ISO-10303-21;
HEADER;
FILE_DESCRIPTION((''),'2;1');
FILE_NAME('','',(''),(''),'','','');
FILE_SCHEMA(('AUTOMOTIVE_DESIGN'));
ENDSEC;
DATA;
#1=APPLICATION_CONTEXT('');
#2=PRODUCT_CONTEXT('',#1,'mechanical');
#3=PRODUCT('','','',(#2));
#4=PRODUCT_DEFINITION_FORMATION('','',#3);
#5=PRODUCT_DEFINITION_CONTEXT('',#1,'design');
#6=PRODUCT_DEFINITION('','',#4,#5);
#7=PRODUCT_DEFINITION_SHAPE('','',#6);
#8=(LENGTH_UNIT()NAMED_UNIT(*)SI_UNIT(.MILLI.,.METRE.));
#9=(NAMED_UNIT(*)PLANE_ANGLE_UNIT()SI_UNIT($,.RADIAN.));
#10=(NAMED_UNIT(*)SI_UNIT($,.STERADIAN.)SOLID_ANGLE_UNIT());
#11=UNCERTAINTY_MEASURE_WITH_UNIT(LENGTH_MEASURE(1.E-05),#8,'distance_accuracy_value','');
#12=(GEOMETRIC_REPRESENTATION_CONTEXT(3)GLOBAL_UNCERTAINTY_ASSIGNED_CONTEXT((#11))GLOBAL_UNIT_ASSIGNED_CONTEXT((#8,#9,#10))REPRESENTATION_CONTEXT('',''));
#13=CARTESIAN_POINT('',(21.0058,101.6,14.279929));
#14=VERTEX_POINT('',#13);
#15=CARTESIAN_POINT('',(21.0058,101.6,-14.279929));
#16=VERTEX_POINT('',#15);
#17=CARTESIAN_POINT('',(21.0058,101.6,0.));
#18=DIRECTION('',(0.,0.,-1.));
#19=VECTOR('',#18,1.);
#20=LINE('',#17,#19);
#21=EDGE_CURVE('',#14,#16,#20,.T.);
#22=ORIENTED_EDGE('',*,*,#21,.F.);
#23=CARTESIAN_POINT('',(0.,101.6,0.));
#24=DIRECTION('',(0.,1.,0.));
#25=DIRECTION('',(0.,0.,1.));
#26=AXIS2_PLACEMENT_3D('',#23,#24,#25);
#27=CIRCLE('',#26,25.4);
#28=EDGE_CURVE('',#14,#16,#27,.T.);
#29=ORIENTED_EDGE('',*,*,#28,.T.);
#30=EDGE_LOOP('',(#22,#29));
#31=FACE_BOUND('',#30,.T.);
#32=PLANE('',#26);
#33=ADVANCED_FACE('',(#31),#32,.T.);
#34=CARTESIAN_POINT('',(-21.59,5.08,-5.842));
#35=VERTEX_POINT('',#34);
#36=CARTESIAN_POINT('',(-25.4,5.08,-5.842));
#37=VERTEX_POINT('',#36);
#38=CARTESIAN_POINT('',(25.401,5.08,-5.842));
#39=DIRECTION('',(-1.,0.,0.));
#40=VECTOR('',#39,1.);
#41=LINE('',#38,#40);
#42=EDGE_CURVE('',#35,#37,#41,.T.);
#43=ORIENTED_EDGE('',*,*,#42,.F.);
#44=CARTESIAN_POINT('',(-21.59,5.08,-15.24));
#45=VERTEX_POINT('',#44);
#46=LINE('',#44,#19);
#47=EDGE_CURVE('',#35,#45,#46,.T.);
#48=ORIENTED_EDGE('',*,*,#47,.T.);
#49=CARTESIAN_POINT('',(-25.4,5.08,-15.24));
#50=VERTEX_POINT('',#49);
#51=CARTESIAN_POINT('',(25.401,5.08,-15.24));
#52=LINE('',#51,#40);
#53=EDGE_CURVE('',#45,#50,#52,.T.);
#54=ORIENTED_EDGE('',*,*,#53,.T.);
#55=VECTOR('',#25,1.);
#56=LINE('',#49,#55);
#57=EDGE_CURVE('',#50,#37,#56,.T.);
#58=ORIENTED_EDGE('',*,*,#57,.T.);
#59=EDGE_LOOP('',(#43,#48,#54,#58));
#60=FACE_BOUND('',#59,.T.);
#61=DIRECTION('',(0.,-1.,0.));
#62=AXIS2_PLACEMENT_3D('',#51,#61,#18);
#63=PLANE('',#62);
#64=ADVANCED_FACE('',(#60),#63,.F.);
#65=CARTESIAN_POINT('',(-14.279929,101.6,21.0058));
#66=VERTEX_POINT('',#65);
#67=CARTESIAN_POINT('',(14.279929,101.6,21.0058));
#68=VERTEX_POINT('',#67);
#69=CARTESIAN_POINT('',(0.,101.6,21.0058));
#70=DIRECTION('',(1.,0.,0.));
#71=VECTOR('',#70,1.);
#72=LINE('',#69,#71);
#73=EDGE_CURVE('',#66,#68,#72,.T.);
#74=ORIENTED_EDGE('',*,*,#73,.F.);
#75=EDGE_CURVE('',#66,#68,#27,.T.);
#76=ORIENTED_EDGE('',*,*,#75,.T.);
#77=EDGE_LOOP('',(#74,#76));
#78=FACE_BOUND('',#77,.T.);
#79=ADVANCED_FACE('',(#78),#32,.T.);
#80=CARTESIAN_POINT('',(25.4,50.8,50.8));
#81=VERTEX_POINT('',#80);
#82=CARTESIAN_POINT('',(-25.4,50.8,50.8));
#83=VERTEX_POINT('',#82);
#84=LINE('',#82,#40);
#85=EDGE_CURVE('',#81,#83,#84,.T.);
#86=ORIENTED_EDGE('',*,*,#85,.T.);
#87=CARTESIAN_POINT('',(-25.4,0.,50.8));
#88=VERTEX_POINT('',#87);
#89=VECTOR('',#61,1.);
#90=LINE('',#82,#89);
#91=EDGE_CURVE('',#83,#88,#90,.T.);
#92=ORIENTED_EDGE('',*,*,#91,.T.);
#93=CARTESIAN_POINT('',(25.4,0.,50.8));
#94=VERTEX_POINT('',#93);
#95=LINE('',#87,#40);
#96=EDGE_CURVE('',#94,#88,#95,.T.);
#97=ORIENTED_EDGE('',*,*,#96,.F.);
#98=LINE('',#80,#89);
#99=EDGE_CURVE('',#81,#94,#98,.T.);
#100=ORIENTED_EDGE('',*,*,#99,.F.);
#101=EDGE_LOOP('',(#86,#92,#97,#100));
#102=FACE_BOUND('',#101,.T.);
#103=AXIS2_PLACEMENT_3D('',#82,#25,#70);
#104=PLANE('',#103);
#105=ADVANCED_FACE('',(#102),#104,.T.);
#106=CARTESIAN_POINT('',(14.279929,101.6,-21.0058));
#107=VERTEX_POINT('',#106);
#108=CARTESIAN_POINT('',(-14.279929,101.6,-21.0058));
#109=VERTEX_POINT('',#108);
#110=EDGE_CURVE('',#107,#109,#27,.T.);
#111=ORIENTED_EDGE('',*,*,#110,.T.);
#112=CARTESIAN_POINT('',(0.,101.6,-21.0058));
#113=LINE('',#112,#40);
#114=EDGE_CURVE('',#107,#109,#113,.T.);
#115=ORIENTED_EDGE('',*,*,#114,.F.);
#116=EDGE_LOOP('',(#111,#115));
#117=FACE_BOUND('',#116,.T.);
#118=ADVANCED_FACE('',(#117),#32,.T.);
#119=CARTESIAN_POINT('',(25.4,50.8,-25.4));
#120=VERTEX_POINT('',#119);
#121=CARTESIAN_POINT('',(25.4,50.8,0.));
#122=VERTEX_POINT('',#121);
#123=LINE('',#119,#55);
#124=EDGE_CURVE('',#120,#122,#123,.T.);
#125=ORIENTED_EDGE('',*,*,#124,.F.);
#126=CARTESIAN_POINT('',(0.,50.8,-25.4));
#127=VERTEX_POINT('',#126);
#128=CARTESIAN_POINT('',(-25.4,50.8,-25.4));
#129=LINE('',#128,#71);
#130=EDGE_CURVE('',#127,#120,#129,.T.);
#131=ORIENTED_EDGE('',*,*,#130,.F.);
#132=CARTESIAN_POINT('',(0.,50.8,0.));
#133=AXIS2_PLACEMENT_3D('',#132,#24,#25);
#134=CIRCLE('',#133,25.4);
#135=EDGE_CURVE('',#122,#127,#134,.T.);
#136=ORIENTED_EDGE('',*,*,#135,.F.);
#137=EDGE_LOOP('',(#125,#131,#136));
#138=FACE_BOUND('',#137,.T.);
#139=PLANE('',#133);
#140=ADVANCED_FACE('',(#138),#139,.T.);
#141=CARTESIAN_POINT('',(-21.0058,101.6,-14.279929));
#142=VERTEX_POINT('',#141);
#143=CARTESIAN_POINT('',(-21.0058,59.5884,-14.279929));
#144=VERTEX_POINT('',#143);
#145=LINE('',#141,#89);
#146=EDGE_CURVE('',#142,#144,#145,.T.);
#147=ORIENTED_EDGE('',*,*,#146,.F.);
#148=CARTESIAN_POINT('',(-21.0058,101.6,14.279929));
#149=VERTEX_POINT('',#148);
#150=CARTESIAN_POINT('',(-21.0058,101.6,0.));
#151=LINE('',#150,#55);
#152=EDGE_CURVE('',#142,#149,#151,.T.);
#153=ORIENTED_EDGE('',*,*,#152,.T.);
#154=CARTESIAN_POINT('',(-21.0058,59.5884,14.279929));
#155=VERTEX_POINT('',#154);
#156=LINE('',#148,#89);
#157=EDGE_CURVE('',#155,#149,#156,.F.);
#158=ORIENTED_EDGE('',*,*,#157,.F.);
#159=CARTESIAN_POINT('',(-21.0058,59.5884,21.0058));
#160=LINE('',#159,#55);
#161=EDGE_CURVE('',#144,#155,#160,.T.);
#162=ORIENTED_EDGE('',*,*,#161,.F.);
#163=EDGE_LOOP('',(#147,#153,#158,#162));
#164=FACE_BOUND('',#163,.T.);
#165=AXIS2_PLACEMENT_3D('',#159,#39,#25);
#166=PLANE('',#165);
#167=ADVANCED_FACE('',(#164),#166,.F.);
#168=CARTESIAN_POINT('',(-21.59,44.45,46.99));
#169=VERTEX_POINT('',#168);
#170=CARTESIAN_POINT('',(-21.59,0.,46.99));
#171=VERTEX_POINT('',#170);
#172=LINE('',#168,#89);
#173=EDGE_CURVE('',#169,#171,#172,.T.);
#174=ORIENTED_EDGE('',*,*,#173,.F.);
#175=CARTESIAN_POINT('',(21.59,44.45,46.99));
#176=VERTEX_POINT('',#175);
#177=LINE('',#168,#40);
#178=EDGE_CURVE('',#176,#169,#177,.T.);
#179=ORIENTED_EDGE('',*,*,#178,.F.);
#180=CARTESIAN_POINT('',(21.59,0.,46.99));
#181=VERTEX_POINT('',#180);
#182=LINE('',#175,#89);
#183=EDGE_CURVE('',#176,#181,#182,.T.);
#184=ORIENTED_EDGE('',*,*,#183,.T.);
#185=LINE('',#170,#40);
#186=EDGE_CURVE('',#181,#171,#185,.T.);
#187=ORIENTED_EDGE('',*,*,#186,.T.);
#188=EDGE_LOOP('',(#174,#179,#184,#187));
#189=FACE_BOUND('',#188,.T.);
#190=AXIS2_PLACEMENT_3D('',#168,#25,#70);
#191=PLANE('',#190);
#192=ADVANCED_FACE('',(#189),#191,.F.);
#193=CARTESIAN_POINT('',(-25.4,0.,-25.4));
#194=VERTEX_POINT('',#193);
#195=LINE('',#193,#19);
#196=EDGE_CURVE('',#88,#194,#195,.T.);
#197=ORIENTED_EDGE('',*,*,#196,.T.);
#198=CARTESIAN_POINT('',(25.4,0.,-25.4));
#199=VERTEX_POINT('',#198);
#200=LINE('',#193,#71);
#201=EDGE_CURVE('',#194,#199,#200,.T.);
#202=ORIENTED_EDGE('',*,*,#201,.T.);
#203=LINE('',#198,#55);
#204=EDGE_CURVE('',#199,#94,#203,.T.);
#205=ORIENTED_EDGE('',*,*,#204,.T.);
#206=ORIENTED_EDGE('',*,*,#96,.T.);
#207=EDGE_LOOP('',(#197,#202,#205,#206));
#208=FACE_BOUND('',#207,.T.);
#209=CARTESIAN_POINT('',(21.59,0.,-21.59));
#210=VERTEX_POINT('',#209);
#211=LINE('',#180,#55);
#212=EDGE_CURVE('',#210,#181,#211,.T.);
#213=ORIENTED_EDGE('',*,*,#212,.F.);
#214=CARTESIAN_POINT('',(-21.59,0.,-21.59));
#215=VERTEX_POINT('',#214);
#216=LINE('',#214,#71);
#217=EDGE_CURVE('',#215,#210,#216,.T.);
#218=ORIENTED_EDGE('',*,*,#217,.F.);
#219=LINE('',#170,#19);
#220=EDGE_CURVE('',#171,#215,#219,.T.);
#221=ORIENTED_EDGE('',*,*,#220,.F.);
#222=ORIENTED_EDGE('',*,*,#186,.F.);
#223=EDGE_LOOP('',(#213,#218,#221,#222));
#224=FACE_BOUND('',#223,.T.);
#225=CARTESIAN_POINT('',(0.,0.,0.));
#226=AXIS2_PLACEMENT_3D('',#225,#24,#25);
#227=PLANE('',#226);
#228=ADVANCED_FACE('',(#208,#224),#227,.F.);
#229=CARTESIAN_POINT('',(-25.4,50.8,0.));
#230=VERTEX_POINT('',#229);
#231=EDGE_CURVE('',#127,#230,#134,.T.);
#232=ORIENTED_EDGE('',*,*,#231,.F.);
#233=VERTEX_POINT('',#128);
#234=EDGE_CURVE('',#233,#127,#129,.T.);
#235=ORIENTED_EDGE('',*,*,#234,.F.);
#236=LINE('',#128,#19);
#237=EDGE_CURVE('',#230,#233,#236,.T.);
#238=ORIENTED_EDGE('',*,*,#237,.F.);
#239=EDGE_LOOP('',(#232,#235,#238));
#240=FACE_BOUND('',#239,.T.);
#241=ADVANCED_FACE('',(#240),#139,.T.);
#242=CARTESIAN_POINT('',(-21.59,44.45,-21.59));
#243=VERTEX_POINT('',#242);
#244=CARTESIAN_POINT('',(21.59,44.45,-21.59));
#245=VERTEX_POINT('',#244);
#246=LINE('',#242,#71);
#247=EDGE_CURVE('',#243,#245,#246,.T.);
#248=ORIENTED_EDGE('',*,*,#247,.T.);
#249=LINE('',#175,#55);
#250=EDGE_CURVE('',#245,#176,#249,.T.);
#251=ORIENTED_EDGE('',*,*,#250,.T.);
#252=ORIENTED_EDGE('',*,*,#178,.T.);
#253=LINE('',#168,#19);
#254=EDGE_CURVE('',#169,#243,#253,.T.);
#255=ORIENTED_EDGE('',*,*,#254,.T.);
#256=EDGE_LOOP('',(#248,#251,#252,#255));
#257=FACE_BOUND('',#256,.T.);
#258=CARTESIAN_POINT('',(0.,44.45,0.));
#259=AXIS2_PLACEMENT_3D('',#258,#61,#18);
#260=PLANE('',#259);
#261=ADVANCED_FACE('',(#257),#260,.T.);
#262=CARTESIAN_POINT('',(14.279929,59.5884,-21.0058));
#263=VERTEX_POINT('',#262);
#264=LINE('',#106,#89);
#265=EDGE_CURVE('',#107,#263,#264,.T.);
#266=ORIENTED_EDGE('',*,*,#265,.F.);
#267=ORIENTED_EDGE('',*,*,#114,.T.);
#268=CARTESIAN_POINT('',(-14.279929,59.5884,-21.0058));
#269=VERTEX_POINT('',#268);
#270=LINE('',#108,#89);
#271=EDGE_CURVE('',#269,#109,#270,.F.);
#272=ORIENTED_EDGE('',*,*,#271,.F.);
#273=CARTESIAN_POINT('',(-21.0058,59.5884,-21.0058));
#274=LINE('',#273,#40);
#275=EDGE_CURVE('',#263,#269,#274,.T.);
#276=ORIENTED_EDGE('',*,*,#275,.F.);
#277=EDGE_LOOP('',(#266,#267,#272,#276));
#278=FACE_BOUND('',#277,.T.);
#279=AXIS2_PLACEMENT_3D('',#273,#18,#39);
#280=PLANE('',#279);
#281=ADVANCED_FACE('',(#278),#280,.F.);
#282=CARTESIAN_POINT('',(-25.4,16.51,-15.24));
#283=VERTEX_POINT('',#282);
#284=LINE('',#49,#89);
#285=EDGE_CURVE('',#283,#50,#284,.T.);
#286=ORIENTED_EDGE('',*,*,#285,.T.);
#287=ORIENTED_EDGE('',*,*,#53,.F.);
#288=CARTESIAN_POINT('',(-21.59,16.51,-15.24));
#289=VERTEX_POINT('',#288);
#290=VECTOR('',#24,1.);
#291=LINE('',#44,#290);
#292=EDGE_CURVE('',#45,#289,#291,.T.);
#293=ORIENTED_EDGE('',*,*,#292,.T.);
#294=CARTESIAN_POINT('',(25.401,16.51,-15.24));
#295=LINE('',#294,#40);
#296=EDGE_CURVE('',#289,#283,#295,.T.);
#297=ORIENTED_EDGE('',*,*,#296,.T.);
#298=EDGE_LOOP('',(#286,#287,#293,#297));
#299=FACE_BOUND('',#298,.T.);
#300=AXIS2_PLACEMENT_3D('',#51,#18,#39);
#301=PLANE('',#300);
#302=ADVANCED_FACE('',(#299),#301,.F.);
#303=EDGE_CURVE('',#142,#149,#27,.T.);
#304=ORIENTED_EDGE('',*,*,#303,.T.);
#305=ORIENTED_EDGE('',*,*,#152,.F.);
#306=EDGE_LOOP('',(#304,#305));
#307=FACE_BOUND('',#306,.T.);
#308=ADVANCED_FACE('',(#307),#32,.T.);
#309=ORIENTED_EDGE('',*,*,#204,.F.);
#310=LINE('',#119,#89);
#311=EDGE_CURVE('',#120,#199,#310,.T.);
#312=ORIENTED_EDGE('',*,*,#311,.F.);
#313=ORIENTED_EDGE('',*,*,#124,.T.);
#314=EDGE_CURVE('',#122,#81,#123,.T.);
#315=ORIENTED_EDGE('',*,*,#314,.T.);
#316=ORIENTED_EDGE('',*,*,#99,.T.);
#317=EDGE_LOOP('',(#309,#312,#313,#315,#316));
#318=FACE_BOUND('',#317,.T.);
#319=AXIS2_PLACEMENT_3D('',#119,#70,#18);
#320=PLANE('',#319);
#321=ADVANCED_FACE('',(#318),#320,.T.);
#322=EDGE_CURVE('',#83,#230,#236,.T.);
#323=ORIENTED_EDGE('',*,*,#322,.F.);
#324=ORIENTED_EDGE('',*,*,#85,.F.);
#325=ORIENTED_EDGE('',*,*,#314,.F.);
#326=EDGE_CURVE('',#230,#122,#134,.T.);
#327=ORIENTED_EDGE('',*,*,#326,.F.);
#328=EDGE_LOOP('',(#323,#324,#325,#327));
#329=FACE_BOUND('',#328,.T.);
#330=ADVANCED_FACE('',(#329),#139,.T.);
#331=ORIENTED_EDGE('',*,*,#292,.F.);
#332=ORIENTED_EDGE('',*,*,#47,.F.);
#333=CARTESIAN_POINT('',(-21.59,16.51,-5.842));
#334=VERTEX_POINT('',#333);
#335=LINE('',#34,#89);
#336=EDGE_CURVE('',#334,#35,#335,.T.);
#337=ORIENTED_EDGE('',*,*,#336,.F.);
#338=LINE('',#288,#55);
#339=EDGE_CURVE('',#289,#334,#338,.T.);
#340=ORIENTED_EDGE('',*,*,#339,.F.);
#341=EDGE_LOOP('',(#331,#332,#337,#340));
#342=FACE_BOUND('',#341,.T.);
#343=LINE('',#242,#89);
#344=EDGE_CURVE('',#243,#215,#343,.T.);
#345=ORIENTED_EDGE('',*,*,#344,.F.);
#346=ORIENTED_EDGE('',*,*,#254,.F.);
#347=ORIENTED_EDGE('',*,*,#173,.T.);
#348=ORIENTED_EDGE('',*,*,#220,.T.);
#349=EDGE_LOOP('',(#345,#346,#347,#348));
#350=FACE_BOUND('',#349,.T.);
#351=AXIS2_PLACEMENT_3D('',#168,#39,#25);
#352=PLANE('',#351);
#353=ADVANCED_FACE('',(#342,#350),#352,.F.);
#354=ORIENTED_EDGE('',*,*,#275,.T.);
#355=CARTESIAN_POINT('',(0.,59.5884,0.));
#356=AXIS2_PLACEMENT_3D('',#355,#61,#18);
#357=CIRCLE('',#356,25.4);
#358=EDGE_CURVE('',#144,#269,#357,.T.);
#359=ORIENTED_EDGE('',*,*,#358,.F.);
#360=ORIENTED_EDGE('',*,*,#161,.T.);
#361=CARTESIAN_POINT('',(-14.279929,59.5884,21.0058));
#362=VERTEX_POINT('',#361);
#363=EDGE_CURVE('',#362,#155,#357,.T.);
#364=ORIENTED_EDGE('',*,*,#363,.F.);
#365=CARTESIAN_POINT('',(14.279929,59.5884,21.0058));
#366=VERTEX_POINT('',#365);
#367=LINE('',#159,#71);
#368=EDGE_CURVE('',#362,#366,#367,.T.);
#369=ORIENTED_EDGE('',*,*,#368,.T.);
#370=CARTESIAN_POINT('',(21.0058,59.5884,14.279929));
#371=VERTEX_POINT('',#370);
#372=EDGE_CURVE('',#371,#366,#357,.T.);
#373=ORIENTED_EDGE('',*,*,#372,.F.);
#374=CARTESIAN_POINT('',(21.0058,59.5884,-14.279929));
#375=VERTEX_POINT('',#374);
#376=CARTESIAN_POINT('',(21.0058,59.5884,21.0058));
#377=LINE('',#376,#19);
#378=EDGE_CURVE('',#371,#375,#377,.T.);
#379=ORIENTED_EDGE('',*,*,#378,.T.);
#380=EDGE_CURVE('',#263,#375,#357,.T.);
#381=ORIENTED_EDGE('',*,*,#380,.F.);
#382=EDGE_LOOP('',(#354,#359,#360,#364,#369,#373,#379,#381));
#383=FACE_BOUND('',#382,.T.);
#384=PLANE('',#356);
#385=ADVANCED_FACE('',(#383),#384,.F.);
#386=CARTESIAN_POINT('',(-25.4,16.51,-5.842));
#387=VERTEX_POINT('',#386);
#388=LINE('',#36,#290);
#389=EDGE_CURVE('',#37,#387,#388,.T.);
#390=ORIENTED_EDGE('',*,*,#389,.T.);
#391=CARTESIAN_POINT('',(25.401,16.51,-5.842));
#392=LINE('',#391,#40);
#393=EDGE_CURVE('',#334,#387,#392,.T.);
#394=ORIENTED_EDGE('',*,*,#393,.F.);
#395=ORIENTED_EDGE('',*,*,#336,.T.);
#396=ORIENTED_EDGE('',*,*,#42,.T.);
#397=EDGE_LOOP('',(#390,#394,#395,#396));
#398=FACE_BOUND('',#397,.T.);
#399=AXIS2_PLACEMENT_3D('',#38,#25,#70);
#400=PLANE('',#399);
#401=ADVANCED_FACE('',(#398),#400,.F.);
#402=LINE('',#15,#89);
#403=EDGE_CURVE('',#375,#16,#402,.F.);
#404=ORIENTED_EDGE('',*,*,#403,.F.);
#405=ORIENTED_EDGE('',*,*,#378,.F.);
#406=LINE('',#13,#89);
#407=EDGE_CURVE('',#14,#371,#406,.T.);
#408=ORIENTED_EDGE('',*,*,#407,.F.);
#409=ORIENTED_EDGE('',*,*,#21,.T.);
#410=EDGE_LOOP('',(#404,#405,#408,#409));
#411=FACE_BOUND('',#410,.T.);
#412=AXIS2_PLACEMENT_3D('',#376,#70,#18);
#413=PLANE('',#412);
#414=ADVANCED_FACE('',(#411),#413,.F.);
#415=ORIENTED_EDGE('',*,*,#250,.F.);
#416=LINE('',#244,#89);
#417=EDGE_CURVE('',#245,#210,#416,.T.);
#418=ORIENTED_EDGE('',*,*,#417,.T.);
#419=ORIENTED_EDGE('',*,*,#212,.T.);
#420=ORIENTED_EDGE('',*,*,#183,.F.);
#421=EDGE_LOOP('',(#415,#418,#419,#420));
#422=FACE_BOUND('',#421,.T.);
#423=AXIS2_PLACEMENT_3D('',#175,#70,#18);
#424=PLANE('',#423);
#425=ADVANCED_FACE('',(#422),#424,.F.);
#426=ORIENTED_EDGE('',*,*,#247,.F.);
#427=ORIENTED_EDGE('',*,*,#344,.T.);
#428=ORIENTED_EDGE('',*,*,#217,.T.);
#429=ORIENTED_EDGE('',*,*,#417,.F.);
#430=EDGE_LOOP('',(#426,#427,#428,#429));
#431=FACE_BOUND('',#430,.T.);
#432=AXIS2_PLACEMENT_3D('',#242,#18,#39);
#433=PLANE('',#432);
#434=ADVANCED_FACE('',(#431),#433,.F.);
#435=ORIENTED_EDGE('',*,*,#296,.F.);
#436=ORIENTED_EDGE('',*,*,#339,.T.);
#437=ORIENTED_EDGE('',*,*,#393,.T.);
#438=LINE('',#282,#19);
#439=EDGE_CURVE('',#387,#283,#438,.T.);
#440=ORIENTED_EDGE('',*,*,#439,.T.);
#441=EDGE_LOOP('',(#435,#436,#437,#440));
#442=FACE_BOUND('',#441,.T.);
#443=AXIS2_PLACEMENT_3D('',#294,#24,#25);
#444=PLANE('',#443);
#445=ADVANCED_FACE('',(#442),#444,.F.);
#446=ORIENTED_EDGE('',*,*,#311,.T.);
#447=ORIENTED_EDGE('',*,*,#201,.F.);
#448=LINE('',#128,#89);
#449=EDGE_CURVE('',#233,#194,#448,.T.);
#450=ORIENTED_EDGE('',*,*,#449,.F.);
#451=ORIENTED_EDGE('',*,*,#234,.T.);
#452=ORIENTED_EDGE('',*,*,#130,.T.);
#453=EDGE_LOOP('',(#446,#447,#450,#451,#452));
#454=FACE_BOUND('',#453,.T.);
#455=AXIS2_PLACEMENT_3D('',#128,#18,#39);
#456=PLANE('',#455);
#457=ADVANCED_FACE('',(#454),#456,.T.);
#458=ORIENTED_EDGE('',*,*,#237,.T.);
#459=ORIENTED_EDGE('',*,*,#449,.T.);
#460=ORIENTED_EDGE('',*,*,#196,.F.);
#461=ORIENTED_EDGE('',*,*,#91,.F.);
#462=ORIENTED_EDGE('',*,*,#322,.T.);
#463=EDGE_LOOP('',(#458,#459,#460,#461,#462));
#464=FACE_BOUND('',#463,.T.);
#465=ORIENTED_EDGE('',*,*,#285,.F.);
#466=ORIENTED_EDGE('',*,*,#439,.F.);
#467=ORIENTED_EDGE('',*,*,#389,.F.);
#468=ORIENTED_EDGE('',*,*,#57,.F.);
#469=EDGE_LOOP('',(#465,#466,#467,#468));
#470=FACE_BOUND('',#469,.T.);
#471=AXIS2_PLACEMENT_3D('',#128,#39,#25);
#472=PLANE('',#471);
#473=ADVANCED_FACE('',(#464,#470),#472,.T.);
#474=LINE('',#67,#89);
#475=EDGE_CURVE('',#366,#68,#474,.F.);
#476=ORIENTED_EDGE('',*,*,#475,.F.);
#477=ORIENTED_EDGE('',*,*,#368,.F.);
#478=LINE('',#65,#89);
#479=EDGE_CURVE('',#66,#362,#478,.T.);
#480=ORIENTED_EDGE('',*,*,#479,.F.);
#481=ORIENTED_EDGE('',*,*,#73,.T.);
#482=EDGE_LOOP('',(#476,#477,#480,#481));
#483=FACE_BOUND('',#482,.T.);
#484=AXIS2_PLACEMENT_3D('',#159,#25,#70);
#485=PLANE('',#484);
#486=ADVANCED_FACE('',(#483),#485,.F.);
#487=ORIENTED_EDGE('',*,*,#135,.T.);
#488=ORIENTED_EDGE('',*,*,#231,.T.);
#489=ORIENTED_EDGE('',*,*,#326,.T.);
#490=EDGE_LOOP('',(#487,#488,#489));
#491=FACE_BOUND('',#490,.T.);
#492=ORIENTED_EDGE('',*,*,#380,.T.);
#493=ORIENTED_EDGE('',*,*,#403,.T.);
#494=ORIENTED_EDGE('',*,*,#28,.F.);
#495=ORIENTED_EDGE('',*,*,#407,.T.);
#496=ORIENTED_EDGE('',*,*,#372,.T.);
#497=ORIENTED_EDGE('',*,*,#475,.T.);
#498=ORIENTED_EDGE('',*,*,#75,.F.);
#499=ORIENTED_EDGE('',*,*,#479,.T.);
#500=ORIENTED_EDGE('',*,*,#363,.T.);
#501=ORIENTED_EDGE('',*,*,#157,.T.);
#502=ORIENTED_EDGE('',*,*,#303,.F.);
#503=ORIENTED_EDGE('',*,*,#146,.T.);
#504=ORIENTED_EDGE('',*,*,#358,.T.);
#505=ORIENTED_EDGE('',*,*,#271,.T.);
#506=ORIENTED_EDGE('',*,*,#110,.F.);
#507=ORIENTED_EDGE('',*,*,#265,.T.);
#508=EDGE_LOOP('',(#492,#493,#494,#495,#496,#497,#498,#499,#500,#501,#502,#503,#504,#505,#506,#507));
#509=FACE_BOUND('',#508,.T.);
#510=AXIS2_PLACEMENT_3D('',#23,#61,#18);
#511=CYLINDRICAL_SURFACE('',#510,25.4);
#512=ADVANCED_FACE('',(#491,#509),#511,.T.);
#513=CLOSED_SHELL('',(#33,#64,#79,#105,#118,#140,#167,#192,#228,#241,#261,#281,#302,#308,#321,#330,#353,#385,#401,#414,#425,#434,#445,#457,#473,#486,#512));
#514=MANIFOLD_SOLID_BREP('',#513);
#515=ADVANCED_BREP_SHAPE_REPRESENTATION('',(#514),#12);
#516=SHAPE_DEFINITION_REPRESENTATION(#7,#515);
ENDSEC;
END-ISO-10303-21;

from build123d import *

# Parameters (mm, degrees)
SKETCH1_R           = 25.4
BOSS_EXTRUDE1_DEPTH = 101.6
SKETCH2_W           = 42.0116
SKETCH2_H           = 42.0116
CUT_EXTRUDE1_DEPTH  = 42.0116
SKETCH3_W           = 50.8
SKETCH3_H           = 76.2
BOSS_EXTRUDE2_DEPTH = 50.8
SKETCH4_W           = 43.18
SKETCH4_H           = 68.58
CUT_EXTRUDE2_DEPTH  = 44.45
CUT_EXTRUDE3_REACH  = 126.434
SKETCH5_W           = 9.398
SKETCH5_H           = 11.43


with BuildPart() as part:
    # Sketch1 → Boss-Extrude1 (new body)
    with BuildSketch(Plane(origin=(0, 0, 0), x_dir=(1, 0, 0), z_dir=(0, 1, 0))):
        with Locations(Location((0, 0, 0), (0, 0, 270))):
            Circle(SKETCH1_R)
    extrude(amount=BOSS_EXTRUDE1_DEPTH)

    # Sketch2 → Cut-Extrude1 (cut)
    with BuildSketch(Plane(origin=(0, 101.6, 0), x_dir=(1, 0, 0), z_dir=(0, 1, 0))):
        Rectangle(SKETCH2_W, SKETCH2_H)
    extrude(amount=-CUT_EXTRUDE1_DEPTH, mode=Mode.SUBTRACT)

    # Sketch3 → Boss-Extrude2 (add)
    with BuildSketch(Plane.XZ):
        with Locations((0, 12.7)):
            Rectangle(SKETCH3_W, SKETCH3_H)
    extrude(amount=-BOSS_EXTRUDE2_DEPTH)

    # Sketch4 → Cut-Extrude2 (cut)
    with BuildSketch(Plane.XZ):
        with Locations((0, 12.7)):
            Rectangle(SKETCH4_W, SKETCH4_H)
    extrude(amount=-CUT_EXTRUDE2_DEPTH, mode=Mode.SUBTRACT)

    # Sketch5 → Cut-Extrude3 (cut, up to next)
    with BuildSketch(Plane.ZY.offset(25.4), mode=Mode.PRIVATE) as cut_extrude3_sk1:
        with Locations((-10.541, 10.795)):
            Rectangle(SKETCH5_W, SKETCH5_H)
    cut_extrude3_tool1 = extrude(cut_extrude3_sk1.sketch, amount=-CUT_EXTRUDE3_REACH, mode=Mode.PRIVATE) & part.part
    add(cut_extrude3_tool1.solids().sort_by_distance((-25.4, 10.795, -10.541))[0], mode=Mode.SUBTRACT)


solid = part.part
